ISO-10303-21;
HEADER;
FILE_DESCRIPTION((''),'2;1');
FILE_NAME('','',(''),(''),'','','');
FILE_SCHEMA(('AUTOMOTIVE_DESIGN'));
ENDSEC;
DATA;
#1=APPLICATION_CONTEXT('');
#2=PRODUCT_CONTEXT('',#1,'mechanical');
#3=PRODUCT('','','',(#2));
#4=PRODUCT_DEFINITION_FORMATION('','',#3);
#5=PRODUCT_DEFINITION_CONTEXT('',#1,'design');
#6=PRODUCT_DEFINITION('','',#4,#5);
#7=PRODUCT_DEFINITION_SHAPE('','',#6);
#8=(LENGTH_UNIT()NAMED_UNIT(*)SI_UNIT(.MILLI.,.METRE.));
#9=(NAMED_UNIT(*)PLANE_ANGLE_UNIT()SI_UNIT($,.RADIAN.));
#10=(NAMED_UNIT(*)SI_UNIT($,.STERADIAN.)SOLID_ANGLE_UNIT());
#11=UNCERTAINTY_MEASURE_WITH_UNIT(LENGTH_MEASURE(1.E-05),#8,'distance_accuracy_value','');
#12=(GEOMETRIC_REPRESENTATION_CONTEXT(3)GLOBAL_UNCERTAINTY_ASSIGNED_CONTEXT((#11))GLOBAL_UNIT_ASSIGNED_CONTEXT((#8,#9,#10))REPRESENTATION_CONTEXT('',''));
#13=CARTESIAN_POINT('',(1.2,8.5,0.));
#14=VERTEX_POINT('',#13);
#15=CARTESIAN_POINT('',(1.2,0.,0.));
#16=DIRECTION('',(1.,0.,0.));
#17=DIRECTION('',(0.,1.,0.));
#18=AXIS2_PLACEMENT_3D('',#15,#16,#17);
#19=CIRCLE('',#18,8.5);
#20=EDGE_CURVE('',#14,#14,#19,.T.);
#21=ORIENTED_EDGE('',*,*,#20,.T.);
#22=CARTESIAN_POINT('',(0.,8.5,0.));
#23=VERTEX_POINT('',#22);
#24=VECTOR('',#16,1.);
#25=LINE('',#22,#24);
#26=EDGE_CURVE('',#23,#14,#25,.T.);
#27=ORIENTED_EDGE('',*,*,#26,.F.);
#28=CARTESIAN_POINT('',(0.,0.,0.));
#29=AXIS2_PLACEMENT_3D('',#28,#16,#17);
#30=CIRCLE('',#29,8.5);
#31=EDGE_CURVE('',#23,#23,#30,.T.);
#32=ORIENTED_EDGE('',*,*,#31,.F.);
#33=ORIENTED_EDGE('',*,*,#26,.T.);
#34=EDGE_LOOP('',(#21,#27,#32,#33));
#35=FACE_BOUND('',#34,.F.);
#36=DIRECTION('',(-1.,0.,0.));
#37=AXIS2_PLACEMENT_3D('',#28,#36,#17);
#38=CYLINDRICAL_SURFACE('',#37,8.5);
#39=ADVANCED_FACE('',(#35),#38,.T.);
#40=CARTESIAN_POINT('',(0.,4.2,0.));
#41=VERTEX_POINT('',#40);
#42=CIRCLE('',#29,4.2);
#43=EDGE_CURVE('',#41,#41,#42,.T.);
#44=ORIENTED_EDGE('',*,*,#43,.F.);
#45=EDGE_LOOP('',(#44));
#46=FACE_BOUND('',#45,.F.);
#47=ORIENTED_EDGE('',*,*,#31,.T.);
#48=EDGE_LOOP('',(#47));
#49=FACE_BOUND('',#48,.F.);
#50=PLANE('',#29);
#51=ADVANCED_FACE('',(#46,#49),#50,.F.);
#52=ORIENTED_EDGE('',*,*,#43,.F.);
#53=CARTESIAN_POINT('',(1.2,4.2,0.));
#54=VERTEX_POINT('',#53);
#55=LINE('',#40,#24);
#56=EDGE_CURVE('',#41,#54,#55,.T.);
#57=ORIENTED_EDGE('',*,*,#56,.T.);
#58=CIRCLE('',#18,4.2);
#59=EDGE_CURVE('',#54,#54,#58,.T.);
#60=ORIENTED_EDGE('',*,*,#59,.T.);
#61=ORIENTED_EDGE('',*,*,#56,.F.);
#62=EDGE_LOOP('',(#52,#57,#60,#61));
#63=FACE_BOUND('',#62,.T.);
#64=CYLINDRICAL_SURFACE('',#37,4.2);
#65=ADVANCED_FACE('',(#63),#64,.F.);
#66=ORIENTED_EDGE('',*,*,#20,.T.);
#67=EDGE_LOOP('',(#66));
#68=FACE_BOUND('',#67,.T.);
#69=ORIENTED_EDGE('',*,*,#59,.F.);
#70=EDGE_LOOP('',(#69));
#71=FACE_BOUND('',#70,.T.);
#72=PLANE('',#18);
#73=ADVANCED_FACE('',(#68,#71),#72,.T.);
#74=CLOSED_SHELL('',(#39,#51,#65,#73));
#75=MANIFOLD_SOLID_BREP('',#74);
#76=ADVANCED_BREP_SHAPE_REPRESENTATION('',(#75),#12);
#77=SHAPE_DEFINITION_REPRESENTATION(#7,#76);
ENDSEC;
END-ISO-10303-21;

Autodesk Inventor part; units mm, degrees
ref_plane "YZ Plane" through (0, 0, 0) normal (1, 0, 0) x (0, 1, 0)
ref_plane "XZ Plane" through (0, 0, 0) normal (0, 1, 0) x (-1, 0, 0)
sketch "Sketch" plane through (0, 0, 0) normal (1, 0, 0) x (0, 1, 0)
  circle A0 centre (0, 0) radius 8.5
  circle A1 centre (0, 0) radius 4.2
  dimension "d0" = 8.4
  dimension "d1" = 17
extrude "Body" add sketch "Sketch" along normal blind 1.2
ref_plane "Work Plane1" through (0, 0, 0) normal (0, 0, 1) x (1, 0, 0)
equation "\"d0\" = SD1"
equation "\"d1\" = SD2"
equation "\"d2\" = SD"
equation "\"SD1\" = 8.4"
equation "\"SD2\" = 17"
equation "\"SD\" = 1.2"
equation "\"NND\" = 8"
properties part number "AS 1237 - 8 mm" material "Aluminum 6061"
